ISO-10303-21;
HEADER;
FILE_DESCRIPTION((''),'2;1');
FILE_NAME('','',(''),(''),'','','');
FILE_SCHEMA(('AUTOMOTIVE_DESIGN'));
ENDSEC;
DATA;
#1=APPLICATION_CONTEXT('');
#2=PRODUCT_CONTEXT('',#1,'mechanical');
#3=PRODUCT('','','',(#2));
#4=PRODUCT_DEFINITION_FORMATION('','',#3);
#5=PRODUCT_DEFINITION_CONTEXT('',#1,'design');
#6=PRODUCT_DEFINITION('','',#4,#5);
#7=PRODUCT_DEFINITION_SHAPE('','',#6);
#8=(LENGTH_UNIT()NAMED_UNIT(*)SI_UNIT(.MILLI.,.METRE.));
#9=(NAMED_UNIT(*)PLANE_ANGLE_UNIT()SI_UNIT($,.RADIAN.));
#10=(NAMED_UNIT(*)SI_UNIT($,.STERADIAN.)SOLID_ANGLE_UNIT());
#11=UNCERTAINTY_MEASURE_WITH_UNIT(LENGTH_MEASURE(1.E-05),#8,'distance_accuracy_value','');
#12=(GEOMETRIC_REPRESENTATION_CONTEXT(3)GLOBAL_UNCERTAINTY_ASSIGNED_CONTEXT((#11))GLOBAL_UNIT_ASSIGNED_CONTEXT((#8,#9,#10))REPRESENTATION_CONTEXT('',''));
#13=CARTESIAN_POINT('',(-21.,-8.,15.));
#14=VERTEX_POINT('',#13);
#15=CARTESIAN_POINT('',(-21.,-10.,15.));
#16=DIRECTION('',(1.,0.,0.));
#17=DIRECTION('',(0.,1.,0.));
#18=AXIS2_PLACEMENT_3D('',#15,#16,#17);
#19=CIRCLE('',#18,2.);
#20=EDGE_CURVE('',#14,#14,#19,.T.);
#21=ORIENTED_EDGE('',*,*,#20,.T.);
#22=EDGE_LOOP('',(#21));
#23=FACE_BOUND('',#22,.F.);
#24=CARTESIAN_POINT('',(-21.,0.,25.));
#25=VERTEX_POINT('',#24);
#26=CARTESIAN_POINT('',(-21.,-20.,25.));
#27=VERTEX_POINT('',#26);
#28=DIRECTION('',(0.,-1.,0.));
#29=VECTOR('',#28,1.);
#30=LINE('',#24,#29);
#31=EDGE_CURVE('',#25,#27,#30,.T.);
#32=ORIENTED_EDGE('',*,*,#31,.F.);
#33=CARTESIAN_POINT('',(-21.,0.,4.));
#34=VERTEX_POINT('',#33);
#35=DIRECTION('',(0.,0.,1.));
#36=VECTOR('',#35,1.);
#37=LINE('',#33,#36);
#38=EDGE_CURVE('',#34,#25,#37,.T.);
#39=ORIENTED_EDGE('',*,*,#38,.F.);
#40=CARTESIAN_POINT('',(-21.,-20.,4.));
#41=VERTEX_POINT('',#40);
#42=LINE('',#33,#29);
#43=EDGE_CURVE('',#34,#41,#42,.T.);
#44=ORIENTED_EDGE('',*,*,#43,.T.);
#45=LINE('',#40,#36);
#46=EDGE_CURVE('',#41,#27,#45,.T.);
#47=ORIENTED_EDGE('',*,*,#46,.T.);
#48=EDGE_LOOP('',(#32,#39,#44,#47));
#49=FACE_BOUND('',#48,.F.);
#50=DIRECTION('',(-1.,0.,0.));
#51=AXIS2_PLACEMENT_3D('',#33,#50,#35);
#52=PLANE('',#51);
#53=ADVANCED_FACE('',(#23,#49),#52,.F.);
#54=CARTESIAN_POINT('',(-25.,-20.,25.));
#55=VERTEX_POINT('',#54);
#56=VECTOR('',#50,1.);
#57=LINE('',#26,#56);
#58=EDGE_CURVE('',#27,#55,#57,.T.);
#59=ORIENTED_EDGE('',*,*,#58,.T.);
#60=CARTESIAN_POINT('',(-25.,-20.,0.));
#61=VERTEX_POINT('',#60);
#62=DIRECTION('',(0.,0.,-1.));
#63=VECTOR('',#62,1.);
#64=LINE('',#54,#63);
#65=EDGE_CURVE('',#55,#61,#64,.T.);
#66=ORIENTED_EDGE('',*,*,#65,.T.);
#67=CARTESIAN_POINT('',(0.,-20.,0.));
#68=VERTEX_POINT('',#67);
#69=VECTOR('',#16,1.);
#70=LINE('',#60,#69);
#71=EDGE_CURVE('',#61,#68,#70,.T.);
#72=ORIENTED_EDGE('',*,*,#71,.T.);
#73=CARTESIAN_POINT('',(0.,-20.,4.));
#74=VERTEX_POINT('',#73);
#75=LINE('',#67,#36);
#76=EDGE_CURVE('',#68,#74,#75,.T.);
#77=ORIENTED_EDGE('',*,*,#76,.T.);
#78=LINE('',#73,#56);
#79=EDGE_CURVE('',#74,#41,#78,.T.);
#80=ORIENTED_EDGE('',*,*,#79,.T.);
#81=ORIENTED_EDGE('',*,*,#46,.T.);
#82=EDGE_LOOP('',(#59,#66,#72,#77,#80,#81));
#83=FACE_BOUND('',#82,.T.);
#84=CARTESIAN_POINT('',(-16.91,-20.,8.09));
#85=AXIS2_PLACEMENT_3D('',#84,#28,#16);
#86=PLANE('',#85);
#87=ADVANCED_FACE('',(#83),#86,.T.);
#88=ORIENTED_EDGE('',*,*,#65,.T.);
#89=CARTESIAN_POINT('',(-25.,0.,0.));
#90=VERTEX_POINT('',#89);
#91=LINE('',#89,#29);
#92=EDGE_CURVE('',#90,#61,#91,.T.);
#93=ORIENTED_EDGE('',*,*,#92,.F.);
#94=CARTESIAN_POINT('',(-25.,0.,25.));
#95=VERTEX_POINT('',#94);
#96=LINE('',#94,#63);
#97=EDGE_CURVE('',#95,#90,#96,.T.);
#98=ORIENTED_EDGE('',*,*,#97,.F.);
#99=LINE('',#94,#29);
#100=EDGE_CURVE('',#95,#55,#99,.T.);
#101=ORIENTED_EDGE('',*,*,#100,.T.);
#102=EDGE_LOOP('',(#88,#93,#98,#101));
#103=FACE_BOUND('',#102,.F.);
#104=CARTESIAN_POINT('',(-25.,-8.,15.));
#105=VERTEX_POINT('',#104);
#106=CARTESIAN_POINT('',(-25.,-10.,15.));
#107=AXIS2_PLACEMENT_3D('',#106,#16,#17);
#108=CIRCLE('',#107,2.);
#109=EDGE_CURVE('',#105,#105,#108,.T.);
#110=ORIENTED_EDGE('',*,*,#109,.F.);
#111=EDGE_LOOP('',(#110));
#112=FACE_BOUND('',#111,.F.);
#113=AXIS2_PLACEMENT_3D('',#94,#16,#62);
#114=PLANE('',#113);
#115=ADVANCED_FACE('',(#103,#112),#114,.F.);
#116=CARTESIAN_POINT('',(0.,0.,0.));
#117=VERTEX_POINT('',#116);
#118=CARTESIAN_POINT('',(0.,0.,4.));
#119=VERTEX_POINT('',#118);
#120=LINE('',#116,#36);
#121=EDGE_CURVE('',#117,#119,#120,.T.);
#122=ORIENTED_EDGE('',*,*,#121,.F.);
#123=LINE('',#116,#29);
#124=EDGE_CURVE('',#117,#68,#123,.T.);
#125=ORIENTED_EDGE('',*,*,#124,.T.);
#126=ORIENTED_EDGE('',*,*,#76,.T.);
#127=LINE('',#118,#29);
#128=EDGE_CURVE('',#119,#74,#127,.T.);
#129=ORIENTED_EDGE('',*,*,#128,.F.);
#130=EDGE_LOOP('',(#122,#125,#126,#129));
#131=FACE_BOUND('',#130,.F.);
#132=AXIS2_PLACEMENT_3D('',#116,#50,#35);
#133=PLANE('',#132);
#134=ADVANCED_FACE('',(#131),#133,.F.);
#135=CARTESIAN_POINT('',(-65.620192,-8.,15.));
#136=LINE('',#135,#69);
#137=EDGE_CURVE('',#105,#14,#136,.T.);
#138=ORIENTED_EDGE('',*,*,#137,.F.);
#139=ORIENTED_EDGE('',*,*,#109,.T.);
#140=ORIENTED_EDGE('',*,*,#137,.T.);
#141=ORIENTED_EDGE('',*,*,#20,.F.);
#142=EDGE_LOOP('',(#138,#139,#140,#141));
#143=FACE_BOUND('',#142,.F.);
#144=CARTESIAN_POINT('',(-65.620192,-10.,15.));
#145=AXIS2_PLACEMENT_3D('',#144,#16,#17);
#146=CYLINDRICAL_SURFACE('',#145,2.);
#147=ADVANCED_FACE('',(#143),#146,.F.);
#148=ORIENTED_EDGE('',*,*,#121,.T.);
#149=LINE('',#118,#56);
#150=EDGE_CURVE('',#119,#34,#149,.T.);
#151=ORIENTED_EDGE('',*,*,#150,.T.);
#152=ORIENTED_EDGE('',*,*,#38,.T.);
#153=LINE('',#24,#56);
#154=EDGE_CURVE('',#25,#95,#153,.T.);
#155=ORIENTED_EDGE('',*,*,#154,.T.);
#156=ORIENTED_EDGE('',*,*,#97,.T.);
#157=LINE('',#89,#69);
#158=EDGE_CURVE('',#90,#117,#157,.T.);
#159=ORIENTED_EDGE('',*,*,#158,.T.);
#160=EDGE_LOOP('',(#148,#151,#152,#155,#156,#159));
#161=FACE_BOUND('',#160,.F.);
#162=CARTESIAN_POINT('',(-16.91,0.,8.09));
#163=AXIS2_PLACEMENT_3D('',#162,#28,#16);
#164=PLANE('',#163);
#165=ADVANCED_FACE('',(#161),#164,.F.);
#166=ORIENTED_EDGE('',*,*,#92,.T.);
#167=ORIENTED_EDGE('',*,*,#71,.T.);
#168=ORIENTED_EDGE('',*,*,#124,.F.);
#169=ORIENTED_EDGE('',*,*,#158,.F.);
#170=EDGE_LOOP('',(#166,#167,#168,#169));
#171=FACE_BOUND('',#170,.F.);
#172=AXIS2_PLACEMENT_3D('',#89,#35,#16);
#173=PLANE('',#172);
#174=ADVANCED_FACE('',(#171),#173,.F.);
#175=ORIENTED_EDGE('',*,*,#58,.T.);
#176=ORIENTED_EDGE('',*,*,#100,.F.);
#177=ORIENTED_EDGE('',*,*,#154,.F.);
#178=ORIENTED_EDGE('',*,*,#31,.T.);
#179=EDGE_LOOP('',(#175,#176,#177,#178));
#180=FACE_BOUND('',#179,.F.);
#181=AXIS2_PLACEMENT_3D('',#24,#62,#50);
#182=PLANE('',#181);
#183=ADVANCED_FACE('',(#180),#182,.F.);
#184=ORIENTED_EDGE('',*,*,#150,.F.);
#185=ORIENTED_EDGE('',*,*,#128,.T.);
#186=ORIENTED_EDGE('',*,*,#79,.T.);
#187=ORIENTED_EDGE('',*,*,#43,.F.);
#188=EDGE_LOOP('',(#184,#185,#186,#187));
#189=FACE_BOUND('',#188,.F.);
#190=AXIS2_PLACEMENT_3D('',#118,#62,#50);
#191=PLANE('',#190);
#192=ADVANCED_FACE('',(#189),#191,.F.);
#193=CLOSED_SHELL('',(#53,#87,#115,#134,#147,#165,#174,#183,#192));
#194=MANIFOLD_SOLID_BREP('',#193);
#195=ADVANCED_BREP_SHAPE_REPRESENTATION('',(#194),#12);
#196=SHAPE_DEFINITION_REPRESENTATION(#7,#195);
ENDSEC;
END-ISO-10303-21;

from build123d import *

# Parameters (mm, degrees)
F1_DEPTH = 20
F3_D     = 4


with BuildPart() as f1:
    # F0 (on Front) → F1 (new body)
    with BuildSketch(Plane.XZ):
        Polygon((-25, 0), (0, 0), (0, 4), (-21, 4), (-21, 25), (-25, 25), align=None)
    extrude(amount=F1_DEPTH)

    # F3 (through all)
    with Locations(Plane(origin=(-25, 0, 0), x_dir=(0, -1, 0), z_dir=(-1, 0, 0))):
        with Locations((10, 15)):
            Hole(F3_D / 2)


solid = f1.part
